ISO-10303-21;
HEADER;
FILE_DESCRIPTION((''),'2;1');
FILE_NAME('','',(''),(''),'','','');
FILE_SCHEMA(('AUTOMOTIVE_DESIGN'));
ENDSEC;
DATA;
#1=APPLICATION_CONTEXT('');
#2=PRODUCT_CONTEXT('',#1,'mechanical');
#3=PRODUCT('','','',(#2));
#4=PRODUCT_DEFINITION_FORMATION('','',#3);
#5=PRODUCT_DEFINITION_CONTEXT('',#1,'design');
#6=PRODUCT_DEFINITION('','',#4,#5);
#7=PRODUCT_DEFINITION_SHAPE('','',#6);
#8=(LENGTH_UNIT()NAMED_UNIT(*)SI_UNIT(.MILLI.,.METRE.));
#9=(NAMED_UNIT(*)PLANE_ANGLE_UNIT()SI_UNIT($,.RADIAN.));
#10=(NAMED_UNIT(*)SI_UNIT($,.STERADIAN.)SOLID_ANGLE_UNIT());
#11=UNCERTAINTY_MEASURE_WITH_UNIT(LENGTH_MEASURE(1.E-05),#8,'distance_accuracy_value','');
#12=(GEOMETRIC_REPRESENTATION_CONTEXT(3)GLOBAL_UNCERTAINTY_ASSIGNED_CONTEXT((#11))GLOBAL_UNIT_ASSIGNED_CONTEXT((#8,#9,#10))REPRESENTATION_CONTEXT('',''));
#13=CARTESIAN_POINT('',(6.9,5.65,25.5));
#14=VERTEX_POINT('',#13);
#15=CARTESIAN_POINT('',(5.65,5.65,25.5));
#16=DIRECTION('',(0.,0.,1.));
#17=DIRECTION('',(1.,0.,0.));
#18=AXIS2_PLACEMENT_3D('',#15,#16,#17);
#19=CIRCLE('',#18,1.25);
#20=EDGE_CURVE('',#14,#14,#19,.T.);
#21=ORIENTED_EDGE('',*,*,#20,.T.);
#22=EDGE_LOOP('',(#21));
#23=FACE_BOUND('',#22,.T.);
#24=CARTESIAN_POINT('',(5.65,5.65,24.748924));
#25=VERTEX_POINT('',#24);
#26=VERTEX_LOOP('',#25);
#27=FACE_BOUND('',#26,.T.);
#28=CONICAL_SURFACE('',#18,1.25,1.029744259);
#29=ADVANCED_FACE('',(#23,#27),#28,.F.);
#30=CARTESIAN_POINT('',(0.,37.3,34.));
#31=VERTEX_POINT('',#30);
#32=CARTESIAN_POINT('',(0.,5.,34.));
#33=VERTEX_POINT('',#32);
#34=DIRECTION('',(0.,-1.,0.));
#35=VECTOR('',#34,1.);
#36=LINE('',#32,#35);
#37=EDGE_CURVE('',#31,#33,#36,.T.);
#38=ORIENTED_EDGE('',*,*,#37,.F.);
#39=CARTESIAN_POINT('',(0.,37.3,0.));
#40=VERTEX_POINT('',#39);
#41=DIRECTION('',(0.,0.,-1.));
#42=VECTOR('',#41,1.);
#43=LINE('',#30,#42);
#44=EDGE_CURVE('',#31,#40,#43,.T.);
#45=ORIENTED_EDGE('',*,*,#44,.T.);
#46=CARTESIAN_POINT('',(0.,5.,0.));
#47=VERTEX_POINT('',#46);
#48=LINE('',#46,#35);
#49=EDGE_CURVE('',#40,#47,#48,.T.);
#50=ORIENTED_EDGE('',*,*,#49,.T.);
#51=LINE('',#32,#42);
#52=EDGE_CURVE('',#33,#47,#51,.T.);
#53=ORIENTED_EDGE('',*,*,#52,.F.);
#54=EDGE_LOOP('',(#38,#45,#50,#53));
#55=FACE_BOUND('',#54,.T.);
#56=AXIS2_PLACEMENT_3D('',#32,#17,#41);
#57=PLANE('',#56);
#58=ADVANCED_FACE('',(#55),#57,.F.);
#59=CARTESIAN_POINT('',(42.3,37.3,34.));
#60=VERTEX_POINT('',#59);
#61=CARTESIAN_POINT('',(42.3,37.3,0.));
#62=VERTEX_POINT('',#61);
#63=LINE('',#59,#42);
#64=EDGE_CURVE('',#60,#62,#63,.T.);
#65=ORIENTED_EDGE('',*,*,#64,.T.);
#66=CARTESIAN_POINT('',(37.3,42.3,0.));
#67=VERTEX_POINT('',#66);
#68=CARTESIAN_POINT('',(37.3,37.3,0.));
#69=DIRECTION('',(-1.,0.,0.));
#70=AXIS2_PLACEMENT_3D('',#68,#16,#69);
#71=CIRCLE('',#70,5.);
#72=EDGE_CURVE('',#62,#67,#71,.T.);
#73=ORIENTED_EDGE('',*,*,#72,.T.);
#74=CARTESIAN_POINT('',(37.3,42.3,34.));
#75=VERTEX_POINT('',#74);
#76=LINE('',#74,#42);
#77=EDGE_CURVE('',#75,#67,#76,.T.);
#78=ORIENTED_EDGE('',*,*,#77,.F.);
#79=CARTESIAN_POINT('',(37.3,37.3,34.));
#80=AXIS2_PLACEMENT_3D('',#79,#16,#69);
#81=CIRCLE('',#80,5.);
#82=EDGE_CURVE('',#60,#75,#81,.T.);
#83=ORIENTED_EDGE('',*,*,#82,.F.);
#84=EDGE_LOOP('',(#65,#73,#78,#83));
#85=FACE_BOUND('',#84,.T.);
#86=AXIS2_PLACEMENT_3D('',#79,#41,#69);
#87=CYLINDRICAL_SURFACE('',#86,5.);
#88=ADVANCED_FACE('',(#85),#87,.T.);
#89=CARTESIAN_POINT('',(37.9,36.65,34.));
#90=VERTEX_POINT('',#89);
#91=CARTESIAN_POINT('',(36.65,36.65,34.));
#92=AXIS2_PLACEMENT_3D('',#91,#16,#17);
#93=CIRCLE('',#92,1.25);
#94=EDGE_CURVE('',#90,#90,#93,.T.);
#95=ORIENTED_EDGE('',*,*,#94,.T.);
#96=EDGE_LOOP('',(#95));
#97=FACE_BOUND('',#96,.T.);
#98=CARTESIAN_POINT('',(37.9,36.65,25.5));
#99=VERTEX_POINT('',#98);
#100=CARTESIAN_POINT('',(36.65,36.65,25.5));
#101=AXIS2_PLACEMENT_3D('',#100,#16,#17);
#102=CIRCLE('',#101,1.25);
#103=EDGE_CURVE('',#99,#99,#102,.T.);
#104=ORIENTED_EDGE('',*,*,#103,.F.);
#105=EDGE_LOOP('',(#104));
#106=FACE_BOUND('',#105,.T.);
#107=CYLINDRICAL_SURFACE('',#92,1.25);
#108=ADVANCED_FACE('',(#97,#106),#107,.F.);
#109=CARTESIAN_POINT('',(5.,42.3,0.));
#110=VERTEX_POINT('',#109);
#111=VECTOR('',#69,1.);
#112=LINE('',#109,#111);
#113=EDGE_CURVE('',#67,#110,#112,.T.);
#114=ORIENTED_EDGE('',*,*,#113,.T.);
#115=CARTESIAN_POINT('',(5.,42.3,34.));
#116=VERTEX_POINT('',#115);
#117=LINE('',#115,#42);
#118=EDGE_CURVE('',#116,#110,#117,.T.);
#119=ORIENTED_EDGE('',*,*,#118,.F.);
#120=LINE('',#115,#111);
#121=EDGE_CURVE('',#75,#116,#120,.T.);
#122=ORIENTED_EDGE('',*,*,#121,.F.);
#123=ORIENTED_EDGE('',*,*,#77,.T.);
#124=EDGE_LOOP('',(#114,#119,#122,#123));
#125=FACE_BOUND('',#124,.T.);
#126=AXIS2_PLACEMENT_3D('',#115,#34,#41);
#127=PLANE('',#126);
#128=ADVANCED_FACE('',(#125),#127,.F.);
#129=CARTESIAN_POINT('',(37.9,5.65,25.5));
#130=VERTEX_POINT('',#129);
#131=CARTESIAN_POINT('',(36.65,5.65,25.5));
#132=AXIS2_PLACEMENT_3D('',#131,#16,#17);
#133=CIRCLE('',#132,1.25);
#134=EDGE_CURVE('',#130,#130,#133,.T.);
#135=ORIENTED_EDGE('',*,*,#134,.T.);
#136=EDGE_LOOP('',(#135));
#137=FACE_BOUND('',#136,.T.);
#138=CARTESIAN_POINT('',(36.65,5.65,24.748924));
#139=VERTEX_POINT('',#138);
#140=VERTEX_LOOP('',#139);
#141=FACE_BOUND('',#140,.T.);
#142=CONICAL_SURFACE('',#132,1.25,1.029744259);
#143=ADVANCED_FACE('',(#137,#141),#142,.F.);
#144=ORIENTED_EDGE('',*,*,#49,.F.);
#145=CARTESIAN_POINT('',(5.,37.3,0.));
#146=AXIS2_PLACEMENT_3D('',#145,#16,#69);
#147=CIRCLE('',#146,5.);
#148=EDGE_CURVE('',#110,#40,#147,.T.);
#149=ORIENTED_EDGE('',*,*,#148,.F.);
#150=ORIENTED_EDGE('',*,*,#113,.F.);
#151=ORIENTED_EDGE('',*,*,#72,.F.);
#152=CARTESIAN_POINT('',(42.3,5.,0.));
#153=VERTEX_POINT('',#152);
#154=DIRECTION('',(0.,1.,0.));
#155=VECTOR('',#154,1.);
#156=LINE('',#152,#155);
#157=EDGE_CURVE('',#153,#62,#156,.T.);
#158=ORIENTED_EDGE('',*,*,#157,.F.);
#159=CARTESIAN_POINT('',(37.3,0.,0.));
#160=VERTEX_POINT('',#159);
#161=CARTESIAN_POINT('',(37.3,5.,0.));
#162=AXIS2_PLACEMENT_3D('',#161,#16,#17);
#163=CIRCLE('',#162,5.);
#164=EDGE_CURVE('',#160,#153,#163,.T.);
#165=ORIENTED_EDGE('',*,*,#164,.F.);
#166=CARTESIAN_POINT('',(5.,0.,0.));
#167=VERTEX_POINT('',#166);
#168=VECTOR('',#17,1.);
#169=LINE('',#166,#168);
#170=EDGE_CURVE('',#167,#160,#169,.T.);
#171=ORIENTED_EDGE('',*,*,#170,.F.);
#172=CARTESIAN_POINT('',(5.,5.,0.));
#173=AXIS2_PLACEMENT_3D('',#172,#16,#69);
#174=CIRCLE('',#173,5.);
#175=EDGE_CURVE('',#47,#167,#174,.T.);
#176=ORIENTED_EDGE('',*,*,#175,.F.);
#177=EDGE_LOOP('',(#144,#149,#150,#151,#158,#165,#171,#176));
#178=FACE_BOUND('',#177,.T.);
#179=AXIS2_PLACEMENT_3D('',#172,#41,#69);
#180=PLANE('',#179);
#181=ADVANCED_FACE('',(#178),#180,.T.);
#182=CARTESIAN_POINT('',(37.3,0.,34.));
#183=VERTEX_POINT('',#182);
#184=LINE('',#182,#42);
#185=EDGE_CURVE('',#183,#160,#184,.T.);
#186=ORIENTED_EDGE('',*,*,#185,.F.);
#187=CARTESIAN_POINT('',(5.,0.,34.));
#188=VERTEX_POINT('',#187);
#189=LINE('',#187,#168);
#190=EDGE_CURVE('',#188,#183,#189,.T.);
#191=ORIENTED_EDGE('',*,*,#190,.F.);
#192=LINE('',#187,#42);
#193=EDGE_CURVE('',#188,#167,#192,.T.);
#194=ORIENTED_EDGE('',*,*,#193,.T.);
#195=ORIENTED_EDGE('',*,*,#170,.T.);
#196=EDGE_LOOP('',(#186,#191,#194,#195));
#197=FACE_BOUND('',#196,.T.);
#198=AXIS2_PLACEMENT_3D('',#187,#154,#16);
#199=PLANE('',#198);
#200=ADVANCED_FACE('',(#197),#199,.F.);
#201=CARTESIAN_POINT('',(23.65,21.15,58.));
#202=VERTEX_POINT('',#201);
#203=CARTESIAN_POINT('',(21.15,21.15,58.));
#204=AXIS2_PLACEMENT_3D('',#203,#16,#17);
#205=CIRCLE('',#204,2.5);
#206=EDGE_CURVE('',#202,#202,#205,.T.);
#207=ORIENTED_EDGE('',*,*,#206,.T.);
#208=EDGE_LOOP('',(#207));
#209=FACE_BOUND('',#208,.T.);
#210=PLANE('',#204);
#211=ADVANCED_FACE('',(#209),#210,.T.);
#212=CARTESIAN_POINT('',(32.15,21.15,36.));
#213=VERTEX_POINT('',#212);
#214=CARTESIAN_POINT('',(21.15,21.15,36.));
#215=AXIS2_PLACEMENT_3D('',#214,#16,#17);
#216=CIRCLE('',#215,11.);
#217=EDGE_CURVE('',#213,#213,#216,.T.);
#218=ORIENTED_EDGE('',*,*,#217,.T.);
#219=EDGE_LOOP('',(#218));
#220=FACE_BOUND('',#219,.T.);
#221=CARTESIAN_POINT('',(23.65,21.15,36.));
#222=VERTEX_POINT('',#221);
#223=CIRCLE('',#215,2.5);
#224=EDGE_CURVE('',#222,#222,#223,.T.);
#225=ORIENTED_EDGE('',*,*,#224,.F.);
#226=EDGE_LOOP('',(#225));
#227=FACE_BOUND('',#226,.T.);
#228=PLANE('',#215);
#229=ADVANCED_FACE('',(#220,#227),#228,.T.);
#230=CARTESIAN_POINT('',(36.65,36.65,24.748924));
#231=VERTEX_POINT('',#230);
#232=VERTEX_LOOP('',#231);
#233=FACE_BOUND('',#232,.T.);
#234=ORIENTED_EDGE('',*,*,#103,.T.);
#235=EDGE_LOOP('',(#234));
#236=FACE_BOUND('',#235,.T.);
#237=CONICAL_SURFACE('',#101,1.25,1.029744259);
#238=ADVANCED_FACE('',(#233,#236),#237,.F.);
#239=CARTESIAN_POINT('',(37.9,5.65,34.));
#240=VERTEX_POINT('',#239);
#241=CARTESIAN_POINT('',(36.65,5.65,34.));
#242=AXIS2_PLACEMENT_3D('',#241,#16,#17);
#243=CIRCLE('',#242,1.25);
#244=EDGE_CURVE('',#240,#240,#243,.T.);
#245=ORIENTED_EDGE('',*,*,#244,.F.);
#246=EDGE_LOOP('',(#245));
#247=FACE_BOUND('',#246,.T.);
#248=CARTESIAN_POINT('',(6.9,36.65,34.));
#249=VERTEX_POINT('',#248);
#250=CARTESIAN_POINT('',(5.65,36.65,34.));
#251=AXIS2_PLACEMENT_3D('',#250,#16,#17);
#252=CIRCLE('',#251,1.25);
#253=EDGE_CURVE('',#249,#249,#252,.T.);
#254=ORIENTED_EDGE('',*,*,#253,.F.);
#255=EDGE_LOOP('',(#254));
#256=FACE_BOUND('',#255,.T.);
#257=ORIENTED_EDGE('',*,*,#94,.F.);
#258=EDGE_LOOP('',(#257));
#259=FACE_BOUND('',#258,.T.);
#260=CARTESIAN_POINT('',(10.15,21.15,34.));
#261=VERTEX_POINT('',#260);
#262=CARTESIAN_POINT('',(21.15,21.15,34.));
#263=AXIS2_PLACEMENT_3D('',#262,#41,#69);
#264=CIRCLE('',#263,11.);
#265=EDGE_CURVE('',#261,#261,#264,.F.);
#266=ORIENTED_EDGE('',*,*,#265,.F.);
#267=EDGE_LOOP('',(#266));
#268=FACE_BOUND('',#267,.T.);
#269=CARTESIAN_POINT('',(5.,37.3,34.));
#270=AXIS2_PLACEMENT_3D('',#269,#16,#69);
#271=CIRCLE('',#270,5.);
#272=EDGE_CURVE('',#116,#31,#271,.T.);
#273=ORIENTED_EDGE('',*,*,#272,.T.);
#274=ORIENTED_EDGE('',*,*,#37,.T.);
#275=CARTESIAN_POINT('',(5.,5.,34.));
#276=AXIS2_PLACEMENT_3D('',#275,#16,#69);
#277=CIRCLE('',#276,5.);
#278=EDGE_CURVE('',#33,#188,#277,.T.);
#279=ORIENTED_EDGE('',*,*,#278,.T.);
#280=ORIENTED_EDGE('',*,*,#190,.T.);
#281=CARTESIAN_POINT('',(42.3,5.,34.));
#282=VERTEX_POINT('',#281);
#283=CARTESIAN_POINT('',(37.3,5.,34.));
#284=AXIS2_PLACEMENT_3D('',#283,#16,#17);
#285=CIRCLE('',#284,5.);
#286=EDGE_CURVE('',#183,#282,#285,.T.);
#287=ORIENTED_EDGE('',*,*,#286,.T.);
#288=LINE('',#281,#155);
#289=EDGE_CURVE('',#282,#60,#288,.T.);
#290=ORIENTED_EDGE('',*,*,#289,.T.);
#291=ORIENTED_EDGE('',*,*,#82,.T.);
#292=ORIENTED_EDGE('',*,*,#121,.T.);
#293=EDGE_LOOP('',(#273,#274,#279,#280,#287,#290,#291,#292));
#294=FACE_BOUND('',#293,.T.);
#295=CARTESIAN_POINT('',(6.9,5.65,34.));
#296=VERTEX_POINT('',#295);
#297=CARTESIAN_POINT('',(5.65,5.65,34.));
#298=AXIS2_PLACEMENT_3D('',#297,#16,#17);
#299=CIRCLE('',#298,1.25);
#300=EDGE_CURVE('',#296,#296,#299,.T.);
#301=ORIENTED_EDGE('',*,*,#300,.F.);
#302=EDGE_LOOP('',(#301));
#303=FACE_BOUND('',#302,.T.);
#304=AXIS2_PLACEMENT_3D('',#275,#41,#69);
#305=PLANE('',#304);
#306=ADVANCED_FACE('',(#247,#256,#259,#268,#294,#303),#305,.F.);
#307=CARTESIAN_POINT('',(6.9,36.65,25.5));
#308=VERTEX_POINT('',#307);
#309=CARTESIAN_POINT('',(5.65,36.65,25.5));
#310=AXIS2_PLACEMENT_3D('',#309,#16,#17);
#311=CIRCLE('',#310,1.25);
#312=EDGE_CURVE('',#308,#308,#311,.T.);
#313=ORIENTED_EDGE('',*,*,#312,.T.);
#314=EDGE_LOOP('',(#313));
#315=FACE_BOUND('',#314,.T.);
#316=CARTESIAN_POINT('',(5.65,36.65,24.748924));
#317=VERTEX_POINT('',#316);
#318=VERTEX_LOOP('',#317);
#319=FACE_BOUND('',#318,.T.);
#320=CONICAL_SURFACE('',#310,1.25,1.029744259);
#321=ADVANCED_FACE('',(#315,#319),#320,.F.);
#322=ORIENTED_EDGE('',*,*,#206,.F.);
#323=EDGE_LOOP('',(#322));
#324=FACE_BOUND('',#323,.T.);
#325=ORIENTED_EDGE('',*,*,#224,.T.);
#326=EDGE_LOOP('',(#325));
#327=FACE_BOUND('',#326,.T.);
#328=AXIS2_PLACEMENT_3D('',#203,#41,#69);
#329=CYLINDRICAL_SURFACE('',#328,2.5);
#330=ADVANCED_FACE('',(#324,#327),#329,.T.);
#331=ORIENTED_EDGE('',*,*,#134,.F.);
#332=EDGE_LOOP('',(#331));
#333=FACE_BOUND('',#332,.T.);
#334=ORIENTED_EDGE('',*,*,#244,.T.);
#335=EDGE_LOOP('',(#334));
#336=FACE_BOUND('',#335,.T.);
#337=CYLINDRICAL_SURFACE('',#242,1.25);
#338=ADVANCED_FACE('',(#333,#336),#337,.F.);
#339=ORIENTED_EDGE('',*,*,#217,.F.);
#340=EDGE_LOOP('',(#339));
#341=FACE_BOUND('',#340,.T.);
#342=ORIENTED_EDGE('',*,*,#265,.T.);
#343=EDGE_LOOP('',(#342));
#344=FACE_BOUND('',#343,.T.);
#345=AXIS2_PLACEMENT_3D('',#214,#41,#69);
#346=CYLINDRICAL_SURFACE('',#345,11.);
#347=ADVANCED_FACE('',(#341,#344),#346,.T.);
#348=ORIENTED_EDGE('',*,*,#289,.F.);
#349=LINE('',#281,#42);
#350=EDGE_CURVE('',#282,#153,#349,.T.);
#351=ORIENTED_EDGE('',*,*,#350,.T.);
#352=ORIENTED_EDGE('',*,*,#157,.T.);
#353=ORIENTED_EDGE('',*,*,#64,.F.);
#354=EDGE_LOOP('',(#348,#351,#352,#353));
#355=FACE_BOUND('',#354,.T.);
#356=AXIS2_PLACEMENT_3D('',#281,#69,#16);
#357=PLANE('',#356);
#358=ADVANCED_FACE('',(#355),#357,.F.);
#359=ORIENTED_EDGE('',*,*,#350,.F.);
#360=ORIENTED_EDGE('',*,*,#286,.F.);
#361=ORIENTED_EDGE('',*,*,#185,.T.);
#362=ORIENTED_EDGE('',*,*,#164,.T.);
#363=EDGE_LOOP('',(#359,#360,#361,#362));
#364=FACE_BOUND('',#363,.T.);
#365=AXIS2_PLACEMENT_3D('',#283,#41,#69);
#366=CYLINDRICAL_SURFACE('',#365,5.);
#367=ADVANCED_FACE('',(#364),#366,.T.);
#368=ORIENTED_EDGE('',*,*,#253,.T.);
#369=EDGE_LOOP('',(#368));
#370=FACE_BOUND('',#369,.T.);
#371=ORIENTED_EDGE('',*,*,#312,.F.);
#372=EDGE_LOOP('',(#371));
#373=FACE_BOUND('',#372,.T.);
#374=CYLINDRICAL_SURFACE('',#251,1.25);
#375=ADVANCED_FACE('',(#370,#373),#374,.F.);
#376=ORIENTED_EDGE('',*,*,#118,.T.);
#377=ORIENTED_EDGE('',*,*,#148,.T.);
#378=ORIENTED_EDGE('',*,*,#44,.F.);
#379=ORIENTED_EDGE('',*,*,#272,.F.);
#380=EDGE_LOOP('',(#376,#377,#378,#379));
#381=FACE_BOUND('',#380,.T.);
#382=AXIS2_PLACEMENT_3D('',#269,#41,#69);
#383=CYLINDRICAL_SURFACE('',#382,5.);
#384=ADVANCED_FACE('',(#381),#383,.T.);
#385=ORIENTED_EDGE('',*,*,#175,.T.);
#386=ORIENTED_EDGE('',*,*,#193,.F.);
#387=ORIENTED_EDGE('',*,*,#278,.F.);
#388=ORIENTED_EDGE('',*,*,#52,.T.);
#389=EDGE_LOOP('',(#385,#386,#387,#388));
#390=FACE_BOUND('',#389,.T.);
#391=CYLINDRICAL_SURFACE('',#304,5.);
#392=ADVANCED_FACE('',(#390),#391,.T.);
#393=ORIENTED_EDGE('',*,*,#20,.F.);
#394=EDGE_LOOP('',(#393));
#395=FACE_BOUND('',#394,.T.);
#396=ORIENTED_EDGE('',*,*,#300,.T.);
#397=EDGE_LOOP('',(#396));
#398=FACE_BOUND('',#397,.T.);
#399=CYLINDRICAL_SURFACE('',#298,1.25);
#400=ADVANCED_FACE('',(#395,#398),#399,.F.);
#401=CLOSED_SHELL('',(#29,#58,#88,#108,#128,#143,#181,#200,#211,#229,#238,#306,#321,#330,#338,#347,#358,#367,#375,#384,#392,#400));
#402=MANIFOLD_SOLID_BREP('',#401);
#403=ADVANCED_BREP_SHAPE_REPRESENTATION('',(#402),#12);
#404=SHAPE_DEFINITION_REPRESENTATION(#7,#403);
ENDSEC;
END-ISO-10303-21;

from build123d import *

# Parameters (mm, degrees)
AUFSATZ_LINEAR_AUSTRAGEN1_DEPTH = 34
SKIZZE2_R                       = 11
AUFSATZ_LINEAR_AUSTRAGEN2_DEPTH = 2
SKIZZE3_R                       = 2.5
AUFSATZ_LINEAR_AUSTRAGEN3_DEPTH = 22
M3_GEWINDEBOHRUNG1_D            = 2.5
M3_GEWINDEBOHRUNG1_DEPTH        = 8.5
M3_GEWINDEBOHRUNG1_TIP          = 0.751075774


with BuildPart() as part:
    # Skizze1 → Aufsatz-Linear austragen1 (new body)
    with BuildSketch(Plane.XY):
        with BuildLine():
            Line((5, 0), (37.3, 0))
            ThreePointArc((37.3, 0), (40.835533906, 1.464466094), (42.3, 5))
            Line((42.3, 5), (42.3, 37.3))
            ThreePointArc((42.3, 37.3), (40.835533906, 40.835533906), (37.3, 42.3))
            Line((37.3, 42.3), (5, 42.3))
            ThreePointArc((5, 42.3), (1.464466094, 40.835533906), (0, 37.3))
            Line((0, 37.3), (0, 5))
            ThreePointArc((0, 5), (1.464466094, 1.464466094), (5, 0))
        make_face()
    extrude(amount=AUFSATZ_LINEAR_AUSTRAGEN1_DEPTH)

    # Skizze2 → Aufsatz-Linear austragen2 (add)
    with BuildSketch(Plane.XY.offset(34)):
        with Locations(Location((21.15, 21.15, 0), (0, 0, 180))):
            Circle(SKIZZE2_R)
    extrude(amount=AUFSATZ_LINEAR_AUSTRAGEN2_DEPTH)

    # Skizze3 → Aufsatz-Linear austragen3 (add)
    with BuildSketch(Plane.XY.offset(36)):
        with Locations((21.15, 21.15)):
            Circle(SKIZZE3_R)
    extrude(amount=AUFSATZ_LINEAR_AUSTRAGEN3_DEPTH)

    # M3 Gewindebohrung1
    with Locations(Plane(origin=(5.65, 36.65, 34), x_dir=(1, 0, 0), z_dir=(0, 0, 1))):
        with Locations((0, 0), (31, 0), (31, -31), (0, -31)):
            Hole(M3_GEWINDEBOHRUNG1_D / 2, depth=M3_GEWINDEBOHRUNG1_DEPTH)
            with Locations((0, 0, -(M3_GEWINDEBOHRUNG1_DEPTH + M3_GEWINDEBOHRUNG1_TIP / 2))):  # 118° drill point
                Cone(0, M3_GEWINDEBOHRUNG1_D / 2, M3_GEWINDEBOHRUNG1_TIP, mode=Mode.SUBTRACT)


solid = part.part
